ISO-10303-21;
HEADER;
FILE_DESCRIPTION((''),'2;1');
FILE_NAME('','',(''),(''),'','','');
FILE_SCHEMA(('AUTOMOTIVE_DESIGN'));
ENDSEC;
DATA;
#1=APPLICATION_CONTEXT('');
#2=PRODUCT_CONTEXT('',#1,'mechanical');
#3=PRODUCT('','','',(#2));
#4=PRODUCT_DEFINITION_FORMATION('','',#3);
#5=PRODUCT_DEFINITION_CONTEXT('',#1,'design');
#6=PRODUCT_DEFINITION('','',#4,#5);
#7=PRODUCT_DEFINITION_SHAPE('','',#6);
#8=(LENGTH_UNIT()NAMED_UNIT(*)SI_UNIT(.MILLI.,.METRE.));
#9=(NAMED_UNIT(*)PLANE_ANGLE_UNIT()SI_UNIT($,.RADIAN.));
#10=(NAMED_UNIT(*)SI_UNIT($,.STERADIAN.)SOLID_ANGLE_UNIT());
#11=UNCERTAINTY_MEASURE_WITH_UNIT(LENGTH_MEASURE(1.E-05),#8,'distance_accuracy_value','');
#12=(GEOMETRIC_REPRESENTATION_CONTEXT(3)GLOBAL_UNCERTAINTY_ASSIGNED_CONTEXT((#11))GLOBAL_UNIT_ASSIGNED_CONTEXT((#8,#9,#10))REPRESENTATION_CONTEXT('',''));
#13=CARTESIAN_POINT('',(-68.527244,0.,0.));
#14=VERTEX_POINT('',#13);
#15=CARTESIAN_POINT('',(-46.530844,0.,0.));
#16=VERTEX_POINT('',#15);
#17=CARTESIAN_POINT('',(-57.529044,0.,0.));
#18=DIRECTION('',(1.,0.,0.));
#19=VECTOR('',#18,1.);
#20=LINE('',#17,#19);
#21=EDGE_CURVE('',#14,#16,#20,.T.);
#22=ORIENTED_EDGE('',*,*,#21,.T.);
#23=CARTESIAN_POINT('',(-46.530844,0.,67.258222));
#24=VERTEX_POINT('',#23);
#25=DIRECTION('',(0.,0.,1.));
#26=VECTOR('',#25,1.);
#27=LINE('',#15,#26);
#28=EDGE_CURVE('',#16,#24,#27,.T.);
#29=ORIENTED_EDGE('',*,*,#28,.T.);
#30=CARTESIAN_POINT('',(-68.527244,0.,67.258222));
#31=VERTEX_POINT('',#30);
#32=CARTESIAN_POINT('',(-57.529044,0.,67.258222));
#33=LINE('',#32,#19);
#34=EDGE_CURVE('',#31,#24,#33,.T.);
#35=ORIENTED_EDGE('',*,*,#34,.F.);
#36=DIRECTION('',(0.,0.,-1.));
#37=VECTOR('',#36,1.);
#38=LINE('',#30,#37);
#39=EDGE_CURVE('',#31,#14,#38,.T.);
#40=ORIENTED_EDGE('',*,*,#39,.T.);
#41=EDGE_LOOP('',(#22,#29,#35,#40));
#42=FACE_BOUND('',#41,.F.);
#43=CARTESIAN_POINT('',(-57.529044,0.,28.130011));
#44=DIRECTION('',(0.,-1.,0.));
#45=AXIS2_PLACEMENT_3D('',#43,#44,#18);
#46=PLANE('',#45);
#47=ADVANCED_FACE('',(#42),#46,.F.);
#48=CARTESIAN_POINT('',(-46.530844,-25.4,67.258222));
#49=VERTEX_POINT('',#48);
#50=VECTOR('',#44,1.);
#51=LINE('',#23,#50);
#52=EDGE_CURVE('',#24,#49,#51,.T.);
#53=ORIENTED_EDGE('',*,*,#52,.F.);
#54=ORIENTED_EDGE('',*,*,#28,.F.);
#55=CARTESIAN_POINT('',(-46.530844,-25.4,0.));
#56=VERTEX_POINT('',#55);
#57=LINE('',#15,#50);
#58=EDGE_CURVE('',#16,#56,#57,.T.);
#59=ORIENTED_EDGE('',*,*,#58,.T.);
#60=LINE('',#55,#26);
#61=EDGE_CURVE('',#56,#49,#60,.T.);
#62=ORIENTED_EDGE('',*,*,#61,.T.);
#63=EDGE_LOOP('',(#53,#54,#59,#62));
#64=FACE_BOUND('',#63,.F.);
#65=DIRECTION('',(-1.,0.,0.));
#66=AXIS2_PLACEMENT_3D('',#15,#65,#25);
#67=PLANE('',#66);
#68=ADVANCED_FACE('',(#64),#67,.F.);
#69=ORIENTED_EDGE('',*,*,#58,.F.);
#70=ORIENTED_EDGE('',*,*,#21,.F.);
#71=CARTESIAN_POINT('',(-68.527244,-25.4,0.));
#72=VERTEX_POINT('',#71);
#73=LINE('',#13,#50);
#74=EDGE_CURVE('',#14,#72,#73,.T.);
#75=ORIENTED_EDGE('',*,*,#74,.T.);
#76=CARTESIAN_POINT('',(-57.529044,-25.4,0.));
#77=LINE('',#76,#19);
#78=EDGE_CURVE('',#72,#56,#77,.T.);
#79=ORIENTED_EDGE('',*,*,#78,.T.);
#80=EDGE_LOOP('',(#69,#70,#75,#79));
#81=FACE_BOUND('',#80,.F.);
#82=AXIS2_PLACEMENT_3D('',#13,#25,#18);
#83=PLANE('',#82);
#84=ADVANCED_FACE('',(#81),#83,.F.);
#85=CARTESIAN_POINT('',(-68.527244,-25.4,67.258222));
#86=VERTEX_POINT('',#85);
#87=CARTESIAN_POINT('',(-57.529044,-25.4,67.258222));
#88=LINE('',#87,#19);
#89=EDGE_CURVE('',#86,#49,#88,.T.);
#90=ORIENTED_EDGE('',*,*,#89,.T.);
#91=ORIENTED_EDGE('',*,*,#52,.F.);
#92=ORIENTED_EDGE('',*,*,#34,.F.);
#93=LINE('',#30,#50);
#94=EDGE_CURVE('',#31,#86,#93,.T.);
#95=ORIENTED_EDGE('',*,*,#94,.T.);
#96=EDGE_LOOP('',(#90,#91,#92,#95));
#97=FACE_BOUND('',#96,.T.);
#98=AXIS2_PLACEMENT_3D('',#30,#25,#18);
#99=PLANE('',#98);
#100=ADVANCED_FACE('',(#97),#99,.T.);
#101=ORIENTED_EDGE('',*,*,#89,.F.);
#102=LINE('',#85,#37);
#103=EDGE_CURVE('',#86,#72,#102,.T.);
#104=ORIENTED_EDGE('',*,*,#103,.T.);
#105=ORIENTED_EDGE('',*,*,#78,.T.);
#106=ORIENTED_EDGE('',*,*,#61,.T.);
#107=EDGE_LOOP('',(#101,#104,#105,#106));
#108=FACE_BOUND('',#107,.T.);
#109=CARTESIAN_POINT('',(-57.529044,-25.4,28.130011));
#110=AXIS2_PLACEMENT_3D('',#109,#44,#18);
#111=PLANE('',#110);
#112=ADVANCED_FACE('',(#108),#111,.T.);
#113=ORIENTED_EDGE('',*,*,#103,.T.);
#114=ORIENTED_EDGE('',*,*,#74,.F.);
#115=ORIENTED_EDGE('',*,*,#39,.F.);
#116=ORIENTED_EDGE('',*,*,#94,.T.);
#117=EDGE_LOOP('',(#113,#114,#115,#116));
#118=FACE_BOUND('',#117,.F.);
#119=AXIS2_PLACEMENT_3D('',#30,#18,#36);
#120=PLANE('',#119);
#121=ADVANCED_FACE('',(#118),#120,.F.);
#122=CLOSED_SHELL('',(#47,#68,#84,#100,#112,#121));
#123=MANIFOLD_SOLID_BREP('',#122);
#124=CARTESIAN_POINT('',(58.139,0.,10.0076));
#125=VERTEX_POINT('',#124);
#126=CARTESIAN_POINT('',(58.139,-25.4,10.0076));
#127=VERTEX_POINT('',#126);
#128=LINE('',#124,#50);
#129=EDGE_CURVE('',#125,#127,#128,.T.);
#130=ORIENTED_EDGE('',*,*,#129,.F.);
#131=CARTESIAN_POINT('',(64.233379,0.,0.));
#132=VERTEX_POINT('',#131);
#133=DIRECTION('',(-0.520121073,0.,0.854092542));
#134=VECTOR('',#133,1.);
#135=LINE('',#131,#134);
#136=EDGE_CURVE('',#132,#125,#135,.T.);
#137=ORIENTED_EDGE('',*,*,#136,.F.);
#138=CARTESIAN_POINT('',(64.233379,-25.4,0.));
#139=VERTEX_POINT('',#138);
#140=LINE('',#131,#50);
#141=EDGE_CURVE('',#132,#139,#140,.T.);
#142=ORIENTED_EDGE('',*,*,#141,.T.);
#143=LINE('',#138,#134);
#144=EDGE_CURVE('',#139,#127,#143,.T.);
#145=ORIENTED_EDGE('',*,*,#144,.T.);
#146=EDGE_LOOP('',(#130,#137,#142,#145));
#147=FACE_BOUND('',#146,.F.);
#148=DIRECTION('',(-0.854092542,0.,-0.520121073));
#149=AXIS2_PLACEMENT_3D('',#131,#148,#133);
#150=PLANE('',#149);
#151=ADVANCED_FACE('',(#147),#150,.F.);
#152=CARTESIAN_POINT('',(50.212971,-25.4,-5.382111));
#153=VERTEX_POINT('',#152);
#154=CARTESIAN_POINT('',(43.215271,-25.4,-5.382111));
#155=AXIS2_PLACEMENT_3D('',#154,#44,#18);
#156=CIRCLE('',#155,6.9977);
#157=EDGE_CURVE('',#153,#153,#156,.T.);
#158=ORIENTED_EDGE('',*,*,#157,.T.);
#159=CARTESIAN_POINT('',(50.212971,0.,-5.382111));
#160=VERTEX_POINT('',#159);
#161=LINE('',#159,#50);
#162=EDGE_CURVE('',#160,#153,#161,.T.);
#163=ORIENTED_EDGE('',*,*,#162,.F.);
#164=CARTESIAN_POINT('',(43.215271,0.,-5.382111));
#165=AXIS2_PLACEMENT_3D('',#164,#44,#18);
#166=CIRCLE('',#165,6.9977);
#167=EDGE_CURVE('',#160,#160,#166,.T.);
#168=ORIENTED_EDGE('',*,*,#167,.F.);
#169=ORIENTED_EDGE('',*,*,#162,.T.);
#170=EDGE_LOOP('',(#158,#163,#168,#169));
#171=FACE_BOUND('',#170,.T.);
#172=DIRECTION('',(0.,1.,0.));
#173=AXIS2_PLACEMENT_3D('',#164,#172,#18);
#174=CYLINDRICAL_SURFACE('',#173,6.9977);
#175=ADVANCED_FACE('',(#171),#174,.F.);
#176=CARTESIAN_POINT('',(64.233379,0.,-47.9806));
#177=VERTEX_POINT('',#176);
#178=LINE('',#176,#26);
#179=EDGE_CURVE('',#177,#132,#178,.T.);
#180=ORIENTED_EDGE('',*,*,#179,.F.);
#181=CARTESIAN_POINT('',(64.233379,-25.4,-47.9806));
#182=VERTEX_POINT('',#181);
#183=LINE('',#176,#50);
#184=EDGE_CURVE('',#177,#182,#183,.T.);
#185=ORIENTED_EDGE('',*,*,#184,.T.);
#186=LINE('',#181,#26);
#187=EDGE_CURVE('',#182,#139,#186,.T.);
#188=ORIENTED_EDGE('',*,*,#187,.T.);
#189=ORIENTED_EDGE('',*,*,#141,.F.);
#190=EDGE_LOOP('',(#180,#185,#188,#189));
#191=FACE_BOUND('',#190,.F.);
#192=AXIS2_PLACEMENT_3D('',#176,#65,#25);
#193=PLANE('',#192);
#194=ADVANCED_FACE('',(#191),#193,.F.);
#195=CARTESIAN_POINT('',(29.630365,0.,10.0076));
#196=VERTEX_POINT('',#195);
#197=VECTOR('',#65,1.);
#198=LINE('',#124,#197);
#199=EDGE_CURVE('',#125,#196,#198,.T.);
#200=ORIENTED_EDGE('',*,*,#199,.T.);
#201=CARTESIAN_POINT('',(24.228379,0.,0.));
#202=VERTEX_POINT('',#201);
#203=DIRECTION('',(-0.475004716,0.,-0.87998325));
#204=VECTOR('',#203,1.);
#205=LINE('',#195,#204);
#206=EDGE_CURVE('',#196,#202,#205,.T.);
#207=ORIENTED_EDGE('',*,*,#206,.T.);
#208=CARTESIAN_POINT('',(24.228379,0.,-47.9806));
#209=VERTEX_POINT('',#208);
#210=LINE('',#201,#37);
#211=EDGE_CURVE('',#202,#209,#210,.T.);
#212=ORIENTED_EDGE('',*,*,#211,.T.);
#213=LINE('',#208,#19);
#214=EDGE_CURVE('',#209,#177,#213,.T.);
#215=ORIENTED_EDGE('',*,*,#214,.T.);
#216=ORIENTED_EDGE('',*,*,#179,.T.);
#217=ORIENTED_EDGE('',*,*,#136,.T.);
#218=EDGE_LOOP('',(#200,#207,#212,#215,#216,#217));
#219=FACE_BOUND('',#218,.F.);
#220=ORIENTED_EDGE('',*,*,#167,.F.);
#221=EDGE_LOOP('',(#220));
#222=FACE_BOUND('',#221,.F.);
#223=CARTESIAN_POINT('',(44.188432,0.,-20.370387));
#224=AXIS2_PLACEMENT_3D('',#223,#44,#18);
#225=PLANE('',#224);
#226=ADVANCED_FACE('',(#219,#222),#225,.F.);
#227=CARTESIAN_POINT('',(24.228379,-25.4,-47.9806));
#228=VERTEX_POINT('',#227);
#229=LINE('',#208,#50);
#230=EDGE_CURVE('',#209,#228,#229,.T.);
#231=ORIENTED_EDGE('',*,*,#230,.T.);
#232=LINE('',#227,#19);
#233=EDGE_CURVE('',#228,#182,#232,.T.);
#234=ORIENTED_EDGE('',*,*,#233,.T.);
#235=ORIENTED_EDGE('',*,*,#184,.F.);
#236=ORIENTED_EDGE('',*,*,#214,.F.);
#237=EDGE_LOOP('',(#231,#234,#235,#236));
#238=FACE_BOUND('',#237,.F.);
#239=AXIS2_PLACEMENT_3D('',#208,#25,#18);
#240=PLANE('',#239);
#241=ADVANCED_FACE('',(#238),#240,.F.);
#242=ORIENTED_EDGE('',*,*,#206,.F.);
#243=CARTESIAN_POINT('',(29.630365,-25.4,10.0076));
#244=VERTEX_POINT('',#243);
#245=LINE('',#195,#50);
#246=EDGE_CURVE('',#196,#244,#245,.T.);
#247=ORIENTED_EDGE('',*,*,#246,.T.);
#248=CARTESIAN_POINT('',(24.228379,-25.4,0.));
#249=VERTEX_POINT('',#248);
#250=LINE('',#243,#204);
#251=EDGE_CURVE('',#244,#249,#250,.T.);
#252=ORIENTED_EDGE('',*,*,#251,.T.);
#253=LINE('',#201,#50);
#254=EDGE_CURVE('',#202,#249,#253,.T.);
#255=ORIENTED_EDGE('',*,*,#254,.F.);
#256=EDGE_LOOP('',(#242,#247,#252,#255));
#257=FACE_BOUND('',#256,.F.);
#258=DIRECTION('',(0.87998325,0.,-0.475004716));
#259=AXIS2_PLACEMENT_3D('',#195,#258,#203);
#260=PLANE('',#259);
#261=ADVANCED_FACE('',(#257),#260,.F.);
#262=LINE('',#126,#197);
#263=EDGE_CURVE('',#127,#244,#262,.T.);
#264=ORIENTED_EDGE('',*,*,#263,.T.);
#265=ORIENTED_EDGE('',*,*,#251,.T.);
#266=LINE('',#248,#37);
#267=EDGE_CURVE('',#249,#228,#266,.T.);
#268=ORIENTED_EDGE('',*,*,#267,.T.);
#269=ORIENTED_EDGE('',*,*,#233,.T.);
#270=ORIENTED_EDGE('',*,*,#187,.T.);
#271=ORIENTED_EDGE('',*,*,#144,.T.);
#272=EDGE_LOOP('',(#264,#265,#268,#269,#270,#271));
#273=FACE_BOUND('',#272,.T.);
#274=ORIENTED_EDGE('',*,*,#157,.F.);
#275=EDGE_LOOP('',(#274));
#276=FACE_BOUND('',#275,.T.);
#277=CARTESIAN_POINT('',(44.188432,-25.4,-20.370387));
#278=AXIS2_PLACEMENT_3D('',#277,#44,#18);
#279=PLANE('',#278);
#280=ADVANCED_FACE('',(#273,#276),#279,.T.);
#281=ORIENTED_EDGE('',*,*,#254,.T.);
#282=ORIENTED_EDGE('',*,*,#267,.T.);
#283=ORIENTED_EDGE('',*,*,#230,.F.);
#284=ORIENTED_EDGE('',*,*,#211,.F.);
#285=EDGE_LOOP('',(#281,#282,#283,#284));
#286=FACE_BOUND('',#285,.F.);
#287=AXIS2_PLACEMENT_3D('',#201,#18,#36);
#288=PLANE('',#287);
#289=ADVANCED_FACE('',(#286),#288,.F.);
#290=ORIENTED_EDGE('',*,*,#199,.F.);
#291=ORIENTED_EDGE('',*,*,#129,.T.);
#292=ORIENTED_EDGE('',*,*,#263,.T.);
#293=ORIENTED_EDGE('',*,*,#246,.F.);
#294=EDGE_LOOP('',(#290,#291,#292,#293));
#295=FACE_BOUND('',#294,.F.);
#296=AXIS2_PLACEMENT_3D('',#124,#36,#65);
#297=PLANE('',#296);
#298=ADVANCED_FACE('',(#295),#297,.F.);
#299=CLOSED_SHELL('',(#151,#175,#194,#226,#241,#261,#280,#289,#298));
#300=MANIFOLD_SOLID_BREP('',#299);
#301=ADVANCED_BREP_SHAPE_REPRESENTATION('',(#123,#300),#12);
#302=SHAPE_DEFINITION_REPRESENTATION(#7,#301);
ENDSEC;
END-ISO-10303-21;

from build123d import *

# Parameters (mm, degrees)
F0_W     = 21.9964
F0_H     = 56.260022
F0_H_2   = 10.9982
F0_R     = 6.9977
F1_DEPTH = 25.4


with BuildPart() as f1:
    # F0 (on Front) → F1 (new body)
    with BuildSketch(Plane.XZ):
        with Locations((-57.529044, 28.130011)):
            Rectangle(F0_W, F0_H)
        with Locations((-57.529044, 61.759122)):
            Rectangle(F0_W, F0_H_2)
        Polygon((29.630365, 10.0076), (24.228379, 0), (24.228379, -47.9806), (64.233379, -47.9806), (64.233379, 0), (58.139, 10.0076), align=None)
        with Locations((43.215271, -5.382111)):
            Circle(F0_R, mode=Mode.SUBTRACT)
    extrude(amount=F1_DEPTH)


solid = f1.part
